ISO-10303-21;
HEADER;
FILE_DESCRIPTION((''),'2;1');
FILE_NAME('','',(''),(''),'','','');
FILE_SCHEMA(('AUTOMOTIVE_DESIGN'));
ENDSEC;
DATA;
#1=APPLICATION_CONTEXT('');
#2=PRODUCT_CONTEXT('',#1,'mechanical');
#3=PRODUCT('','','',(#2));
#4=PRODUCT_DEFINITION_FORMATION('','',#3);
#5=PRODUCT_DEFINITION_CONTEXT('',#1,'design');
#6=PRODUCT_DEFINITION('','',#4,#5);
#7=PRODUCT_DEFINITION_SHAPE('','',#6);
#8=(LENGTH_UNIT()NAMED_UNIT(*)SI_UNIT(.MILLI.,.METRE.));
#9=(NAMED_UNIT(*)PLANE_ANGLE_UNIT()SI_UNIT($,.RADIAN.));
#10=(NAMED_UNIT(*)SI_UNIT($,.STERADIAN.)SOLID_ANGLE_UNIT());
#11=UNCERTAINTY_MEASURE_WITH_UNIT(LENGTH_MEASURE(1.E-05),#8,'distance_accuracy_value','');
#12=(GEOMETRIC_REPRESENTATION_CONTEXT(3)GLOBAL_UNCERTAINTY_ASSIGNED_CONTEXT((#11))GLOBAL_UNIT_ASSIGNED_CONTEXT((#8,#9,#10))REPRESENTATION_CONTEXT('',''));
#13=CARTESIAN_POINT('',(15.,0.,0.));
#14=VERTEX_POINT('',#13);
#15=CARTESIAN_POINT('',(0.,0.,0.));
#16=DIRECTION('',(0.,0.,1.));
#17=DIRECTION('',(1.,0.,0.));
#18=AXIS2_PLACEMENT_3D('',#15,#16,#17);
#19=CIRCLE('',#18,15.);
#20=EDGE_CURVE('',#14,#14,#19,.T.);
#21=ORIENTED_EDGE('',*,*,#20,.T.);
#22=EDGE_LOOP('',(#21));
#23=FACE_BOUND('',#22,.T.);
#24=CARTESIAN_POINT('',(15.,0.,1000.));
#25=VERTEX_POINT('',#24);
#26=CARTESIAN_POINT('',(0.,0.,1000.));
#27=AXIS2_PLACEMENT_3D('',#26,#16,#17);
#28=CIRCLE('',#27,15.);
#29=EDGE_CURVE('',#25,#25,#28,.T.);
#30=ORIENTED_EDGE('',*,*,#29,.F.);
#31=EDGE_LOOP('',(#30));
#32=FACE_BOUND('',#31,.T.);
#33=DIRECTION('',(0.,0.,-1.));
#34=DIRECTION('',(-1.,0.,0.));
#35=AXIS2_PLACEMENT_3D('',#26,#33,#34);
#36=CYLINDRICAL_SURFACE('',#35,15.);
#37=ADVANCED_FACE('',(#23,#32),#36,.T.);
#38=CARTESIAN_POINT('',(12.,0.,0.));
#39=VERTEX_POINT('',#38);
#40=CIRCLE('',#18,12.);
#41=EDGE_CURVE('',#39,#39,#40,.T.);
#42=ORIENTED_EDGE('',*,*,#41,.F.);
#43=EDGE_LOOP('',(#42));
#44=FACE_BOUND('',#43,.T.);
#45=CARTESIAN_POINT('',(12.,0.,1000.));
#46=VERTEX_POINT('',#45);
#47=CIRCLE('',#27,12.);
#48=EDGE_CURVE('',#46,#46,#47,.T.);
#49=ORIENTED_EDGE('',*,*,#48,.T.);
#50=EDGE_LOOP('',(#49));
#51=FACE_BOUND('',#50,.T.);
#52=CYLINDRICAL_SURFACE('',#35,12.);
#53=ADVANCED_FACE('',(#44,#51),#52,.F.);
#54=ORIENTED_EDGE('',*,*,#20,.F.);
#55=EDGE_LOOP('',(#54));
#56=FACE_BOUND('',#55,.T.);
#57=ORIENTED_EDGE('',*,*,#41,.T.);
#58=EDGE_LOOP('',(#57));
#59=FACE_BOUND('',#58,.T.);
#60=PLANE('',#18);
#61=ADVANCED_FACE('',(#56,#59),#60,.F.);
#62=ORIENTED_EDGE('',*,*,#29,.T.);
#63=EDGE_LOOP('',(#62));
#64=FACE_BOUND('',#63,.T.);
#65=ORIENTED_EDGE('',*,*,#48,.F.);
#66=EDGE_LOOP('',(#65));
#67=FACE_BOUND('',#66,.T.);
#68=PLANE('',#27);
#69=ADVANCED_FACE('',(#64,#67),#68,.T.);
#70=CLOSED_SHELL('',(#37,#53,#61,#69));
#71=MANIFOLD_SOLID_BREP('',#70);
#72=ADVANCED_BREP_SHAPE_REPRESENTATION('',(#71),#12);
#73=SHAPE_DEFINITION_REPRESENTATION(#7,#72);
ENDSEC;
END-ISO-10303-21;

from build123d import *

# Parameters (mm, degrees)
SKETCH1_R           = 15
BOSS_EXTRUDE1_DEPTH = 1000
SKETCH2_R           = 12
CUT_EXTRUDE1_DEPTH  = 1000


with BuildPart() as part:
    # Sketch1 → Boss-Extrude1 (new body)
    with BuildSketch(Plane.XY):
        Circle(SKETCH1_R)
    extrude(amount=BOSS_EXTRUDE1_DEPTH)

    # Sketch2 → Cut-Extrude1 (cut)
    with BuildSketch(Plane.XY):
        Circle(SKETCH2_R)
    extrude(amount=CUT_EXTRUDE1_DEPTH, mode=Mode.SUBTRACT)


solid = part.part
